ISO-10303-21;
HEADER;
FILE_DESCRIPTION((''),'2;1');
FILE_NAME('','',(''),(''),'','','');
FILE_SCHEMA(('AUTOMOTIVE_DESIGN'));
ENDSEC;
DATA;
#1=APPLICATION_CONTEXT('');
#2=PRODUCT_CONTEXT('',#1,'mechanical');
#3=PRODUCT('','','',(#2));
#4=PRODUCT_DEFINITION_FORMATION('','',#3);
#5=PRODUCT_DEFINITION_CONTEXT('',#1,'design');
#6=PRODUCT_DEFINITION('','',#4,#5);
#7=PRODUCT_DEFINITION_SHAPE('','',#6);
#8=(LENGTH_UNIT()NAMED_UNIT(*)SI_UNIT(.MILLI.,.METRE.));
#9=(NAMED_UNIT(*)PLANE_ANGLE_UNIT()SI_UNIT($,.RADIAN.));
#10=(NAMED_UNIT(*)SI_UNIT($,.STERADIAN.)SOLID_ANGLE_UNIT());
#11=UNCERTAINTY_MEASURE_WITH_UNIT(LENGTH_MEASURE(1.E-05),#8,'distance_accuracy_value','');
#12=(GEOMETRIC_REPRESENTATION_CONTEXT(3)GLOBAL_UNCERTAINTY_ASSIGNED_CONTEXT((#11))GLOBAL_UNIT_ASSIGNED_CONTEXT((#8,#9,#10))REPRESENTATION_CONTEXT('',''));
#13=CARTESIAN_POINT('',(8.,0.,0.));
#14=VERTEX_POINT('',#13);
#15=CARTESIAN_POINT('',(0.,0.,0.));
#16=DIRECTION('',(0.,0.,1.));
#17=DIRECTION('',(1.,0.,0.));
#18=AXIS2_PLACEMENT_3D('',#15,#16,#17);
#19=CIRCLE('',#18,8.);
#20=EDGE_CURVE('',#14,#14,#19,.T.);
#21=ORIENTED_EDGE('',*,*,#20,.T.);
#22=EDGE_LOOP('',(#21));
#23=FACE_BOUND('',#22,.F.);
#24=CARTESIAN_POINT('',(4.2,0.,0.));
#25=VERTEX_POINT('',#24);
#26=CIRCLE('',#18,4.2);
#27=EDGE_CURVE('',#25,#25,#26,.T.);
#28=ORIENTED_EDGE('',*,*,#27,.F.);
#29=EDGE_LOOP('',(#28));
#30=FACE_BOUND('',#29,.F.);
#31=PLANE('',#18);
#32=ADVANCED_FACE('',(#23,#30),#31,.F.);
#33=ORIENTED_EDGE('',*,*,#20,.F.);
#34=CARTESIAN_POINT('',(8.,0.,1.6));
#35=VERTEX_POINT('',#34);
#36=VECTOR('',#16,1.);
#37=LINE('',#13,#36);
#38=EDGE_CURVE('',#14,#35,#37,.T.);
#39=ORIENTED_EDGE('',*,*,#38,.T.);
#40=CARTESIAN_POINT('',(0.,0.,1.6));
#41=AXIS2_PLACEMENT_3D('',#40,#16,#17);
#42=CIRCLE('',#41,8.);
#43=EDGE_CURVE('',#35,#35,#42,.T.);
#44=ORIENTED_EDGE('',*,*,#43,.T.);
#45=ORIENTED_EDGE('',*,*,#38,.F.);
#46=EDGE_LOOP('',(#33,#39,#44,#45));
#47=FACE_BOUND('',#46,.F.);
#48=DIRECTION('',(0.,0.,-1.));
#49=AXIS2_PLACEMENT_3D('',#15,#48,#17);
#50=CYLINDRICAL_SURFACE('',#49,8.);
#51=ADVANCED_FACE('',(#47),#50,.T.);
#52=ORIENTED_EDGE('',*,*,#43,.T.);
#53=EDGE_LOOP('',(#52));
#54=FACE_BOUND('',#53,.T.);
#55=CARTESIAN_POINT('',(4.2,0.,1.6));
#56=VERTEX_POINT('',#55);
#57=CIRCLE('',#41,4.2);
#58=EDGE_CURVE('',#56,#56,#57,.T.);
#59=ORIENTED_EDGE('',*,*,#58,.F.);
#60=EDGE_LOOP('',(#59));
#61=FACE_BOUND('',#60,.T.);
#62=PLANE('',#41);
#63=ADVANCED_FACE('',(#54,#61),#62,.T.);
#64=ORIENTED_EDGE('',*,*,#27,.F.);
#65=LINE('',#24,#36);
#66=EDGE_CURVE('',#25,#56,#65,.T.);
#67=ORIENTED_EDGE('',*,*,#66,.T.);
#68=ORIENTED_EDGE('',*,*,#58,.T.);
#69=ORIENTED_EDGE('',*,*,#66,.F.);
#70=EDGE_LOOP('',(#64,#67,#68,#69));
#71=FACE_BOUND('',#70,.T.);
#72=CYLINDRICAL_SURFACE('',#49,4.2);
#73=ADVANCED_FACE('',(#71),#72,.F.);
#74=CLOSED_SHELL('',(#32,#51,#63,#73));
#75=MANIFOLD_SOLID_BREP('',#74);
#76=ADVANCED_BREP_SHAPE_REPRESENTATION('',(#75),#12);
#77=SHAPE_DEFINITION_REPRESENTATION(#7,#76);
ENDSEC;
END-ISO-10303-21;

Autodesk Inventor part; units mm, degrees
ref_plane "YZ Plane" through (0, 0, 0) normal (1, 0, 0) x (0, 1, 0)
ref_plane "XZ Plane" through (0, 0, 0) normal (0, 1, 0) x (-1, 0, 0)
ref_plane "XY Plane" through (0, 0, 0) normal (0, 0, 1) x (1, 0, 0)
sketch "Sketch1" plane through (0, 0, 0) normal (0, 0, 1) x (1, 0, 0)
  circle A0 centre (0, 0) radius 4.2
  circle A1 centre (0, 0) radius 8
  dimension "d0" = 8.4
  dimension "d1" = 16
extrude "Extrusion1" add sketch "Sketch1" along normal blind 1.6
properties part number "washer_m8"
